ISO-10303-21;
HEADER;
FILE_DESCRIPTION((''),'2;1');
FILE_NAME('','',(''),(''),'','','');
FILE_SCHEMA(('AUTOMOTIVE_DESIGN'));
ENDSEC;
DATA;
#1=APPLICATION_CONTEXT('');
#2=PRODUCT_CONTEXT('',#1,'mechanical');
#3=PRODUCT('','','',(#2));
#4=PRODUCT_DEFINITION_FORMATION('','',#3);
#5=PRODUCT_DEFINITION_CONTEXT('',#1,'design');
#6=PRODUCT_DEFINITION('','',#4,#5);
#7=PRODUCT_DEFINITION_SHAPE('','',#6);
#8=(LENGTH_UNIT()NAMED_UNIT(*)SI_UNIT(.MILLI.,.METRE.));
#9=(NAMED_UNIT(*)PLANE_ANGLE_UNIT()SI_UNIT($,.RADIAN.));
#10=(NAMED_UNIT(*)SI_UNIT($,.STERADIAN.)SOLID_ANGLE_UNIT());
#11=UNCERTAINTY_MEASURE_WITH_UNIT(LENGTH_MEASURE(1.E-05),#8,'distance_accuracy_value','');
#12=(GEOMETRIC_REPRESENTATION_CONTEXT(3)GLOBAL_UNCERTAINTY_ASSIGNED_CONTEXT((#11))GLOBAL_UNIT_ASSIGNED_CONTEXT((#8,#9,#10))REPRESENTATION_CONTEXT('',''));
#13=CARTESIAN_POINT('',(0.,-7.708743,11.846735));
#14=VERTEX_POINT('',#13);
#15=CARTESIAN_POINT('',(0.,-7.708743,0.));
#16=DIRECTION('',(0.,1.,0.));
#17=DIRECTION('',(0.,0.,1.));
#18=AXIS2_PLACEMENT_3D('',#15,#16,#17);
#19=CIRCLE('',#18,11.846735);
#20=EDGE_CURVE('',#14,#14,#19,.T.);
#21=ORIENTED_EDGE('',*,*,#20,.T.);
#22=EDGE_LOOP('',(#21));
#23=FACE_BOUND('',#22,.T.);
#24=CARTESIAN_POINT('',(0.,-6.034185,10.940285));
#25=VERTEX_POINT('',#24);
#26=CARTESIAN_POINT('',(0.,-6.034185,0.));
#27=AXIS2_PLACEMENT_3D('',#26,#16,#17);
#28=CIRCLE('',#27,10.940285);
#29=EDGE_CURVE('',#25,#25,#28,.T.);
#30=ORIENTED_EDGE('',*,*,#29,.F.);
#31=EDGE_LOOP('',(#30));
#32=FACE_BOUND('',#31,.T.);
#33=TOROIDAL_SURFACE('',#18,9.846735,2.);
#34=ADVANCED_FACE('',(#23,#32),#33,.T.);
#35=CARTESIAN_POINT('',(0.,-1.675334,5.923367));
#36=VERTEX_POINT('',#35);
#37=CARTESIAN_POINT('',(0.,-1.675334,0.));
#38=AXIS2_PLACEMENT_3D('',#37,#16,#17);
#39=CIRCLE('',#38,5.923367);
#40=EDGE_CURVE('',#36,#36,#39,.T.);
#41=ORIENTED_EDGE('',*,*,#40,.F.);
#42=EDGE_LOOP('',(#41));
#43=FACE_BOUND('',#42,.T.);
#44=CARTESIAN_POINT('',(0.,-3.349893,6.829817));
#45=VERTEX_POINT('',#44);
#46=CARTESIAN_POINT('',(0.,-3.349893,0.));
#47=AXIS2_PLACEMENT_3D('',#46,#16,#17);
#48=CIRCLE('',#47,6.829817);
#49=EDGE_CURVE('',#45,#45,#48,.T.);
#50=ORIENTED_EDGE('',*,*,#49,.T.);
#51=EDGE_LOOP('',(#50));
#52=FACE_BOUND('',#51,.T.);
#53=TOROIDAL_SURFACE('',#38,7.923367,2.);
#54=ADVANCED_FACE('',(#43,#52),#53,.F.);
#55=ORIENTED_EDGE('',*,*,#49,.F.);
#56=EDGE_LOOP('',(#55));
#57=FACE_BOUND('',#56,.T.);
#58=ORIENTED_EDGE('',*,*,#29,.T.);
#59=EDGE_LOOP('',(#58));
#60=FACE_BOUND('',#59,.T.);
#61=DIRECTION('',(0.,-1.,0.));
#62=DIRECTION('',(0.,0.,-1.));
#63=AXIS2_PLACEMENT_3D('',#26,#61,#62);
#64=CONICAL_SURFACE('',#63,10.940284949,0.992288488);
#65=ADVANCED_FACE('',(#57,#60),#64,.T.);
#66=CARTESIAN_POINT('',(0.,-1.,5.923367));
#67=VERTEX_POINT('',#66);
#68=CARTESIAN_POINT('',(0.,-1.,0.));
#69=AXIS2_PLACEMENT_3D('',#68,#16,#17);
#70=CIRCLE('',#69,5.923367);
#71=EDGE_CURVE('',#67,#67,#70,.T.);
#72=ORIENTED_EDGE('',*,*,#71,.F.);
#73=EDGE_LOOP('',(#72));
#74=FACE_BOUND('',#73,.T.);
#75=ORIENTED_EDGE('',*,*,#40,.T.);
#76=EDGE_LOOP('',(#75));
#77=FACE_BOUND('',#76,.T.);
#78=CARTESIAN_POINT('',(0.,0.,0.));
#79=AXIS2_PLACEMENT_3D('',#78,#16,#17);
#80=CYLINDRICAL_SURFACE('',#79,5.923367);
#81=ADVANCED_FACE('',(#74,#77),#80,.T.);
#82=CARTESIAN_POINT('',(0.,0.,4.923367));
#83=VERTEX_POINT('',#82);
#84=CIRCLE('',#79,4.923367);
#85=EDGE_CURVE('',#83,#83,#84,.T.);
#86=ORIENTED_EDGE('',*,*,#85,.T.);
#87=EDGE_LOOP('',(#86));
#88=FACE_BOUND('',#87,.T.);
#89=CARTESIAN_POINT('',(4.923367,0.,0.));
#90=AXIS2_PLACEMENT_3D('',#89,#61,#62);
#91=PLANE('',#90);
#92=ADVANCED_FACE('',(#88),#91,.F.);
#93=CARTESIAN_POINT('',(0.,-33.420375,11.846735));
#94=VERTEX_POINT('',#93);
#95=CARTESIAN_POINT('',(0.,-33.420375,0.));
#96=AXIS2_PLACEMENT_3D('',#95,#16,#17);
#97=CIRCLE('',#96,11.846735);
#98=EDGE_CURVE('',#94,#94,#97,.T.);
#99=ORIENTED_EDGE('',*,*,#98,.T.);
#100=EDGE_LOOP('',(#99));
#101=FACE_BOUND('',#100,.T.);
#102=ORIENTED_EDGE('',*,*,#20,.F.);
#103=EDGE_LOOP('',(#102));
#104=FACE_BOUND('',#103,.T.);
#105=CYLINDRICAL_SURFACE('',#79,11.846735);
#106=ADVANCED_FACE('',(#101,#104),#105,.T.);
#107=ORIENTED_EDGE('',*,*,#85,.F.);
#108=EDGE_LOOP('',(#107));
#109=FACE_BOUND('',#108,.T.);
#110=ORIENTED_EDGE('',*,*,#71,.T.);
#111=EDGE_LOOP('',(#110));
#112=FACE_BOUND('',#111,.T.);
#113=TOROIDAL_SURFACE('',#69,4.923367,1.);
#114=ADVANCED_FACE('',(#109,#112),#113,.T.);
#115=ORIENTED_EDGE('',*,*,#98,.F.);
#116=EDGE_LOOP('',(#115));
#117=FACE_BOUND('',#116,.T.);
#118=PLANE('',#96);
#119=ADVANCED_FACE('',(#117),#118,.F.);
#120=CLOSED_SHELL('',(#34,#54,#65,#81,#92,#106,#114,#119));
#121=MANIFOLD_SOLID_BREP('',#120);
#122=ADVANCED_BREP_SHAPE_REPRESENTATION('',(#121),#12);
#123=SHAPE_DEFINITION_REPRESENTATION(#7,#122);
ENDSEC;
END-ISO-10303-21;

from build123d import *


with BuildPart() as part:
    # Sketch1 → Revolve1 (revolve)
    with BuildSketch(Plane.XY):
        with BuildLine():
            Line((0, 0), (0, -33.42037452))
            Line((0, -33.42037452), (11.846734569, -33.42037452))
            Line((11.846734569, -33.42037452), (11.846734569, -7.708743439))
            ThreePointArc((11.846734569, -7.708743439), (11.605583733, -6.75666696), (10.940284949, -6.034184521))
            Line((10.940284949, -6.034184521), (6.829816905, -3.349893247))
            ThreePointArc((6.829816905, -3.349893247), (6.164518121, -2.627410808), (5.923367285, -1.67533433))
            Line((5.923367285, -1.67533433), (5.923367285, -1))
            ThreePointArc((5.923367285, -1), (5.630474066, -0.292893219), (4.923367285, 0))
            Line((4.923367285, 0), (0, 0))
        make_face()
    revolve(axis=Axis((0, 0, 0), (0, -1, 0)))


solid = part.part
